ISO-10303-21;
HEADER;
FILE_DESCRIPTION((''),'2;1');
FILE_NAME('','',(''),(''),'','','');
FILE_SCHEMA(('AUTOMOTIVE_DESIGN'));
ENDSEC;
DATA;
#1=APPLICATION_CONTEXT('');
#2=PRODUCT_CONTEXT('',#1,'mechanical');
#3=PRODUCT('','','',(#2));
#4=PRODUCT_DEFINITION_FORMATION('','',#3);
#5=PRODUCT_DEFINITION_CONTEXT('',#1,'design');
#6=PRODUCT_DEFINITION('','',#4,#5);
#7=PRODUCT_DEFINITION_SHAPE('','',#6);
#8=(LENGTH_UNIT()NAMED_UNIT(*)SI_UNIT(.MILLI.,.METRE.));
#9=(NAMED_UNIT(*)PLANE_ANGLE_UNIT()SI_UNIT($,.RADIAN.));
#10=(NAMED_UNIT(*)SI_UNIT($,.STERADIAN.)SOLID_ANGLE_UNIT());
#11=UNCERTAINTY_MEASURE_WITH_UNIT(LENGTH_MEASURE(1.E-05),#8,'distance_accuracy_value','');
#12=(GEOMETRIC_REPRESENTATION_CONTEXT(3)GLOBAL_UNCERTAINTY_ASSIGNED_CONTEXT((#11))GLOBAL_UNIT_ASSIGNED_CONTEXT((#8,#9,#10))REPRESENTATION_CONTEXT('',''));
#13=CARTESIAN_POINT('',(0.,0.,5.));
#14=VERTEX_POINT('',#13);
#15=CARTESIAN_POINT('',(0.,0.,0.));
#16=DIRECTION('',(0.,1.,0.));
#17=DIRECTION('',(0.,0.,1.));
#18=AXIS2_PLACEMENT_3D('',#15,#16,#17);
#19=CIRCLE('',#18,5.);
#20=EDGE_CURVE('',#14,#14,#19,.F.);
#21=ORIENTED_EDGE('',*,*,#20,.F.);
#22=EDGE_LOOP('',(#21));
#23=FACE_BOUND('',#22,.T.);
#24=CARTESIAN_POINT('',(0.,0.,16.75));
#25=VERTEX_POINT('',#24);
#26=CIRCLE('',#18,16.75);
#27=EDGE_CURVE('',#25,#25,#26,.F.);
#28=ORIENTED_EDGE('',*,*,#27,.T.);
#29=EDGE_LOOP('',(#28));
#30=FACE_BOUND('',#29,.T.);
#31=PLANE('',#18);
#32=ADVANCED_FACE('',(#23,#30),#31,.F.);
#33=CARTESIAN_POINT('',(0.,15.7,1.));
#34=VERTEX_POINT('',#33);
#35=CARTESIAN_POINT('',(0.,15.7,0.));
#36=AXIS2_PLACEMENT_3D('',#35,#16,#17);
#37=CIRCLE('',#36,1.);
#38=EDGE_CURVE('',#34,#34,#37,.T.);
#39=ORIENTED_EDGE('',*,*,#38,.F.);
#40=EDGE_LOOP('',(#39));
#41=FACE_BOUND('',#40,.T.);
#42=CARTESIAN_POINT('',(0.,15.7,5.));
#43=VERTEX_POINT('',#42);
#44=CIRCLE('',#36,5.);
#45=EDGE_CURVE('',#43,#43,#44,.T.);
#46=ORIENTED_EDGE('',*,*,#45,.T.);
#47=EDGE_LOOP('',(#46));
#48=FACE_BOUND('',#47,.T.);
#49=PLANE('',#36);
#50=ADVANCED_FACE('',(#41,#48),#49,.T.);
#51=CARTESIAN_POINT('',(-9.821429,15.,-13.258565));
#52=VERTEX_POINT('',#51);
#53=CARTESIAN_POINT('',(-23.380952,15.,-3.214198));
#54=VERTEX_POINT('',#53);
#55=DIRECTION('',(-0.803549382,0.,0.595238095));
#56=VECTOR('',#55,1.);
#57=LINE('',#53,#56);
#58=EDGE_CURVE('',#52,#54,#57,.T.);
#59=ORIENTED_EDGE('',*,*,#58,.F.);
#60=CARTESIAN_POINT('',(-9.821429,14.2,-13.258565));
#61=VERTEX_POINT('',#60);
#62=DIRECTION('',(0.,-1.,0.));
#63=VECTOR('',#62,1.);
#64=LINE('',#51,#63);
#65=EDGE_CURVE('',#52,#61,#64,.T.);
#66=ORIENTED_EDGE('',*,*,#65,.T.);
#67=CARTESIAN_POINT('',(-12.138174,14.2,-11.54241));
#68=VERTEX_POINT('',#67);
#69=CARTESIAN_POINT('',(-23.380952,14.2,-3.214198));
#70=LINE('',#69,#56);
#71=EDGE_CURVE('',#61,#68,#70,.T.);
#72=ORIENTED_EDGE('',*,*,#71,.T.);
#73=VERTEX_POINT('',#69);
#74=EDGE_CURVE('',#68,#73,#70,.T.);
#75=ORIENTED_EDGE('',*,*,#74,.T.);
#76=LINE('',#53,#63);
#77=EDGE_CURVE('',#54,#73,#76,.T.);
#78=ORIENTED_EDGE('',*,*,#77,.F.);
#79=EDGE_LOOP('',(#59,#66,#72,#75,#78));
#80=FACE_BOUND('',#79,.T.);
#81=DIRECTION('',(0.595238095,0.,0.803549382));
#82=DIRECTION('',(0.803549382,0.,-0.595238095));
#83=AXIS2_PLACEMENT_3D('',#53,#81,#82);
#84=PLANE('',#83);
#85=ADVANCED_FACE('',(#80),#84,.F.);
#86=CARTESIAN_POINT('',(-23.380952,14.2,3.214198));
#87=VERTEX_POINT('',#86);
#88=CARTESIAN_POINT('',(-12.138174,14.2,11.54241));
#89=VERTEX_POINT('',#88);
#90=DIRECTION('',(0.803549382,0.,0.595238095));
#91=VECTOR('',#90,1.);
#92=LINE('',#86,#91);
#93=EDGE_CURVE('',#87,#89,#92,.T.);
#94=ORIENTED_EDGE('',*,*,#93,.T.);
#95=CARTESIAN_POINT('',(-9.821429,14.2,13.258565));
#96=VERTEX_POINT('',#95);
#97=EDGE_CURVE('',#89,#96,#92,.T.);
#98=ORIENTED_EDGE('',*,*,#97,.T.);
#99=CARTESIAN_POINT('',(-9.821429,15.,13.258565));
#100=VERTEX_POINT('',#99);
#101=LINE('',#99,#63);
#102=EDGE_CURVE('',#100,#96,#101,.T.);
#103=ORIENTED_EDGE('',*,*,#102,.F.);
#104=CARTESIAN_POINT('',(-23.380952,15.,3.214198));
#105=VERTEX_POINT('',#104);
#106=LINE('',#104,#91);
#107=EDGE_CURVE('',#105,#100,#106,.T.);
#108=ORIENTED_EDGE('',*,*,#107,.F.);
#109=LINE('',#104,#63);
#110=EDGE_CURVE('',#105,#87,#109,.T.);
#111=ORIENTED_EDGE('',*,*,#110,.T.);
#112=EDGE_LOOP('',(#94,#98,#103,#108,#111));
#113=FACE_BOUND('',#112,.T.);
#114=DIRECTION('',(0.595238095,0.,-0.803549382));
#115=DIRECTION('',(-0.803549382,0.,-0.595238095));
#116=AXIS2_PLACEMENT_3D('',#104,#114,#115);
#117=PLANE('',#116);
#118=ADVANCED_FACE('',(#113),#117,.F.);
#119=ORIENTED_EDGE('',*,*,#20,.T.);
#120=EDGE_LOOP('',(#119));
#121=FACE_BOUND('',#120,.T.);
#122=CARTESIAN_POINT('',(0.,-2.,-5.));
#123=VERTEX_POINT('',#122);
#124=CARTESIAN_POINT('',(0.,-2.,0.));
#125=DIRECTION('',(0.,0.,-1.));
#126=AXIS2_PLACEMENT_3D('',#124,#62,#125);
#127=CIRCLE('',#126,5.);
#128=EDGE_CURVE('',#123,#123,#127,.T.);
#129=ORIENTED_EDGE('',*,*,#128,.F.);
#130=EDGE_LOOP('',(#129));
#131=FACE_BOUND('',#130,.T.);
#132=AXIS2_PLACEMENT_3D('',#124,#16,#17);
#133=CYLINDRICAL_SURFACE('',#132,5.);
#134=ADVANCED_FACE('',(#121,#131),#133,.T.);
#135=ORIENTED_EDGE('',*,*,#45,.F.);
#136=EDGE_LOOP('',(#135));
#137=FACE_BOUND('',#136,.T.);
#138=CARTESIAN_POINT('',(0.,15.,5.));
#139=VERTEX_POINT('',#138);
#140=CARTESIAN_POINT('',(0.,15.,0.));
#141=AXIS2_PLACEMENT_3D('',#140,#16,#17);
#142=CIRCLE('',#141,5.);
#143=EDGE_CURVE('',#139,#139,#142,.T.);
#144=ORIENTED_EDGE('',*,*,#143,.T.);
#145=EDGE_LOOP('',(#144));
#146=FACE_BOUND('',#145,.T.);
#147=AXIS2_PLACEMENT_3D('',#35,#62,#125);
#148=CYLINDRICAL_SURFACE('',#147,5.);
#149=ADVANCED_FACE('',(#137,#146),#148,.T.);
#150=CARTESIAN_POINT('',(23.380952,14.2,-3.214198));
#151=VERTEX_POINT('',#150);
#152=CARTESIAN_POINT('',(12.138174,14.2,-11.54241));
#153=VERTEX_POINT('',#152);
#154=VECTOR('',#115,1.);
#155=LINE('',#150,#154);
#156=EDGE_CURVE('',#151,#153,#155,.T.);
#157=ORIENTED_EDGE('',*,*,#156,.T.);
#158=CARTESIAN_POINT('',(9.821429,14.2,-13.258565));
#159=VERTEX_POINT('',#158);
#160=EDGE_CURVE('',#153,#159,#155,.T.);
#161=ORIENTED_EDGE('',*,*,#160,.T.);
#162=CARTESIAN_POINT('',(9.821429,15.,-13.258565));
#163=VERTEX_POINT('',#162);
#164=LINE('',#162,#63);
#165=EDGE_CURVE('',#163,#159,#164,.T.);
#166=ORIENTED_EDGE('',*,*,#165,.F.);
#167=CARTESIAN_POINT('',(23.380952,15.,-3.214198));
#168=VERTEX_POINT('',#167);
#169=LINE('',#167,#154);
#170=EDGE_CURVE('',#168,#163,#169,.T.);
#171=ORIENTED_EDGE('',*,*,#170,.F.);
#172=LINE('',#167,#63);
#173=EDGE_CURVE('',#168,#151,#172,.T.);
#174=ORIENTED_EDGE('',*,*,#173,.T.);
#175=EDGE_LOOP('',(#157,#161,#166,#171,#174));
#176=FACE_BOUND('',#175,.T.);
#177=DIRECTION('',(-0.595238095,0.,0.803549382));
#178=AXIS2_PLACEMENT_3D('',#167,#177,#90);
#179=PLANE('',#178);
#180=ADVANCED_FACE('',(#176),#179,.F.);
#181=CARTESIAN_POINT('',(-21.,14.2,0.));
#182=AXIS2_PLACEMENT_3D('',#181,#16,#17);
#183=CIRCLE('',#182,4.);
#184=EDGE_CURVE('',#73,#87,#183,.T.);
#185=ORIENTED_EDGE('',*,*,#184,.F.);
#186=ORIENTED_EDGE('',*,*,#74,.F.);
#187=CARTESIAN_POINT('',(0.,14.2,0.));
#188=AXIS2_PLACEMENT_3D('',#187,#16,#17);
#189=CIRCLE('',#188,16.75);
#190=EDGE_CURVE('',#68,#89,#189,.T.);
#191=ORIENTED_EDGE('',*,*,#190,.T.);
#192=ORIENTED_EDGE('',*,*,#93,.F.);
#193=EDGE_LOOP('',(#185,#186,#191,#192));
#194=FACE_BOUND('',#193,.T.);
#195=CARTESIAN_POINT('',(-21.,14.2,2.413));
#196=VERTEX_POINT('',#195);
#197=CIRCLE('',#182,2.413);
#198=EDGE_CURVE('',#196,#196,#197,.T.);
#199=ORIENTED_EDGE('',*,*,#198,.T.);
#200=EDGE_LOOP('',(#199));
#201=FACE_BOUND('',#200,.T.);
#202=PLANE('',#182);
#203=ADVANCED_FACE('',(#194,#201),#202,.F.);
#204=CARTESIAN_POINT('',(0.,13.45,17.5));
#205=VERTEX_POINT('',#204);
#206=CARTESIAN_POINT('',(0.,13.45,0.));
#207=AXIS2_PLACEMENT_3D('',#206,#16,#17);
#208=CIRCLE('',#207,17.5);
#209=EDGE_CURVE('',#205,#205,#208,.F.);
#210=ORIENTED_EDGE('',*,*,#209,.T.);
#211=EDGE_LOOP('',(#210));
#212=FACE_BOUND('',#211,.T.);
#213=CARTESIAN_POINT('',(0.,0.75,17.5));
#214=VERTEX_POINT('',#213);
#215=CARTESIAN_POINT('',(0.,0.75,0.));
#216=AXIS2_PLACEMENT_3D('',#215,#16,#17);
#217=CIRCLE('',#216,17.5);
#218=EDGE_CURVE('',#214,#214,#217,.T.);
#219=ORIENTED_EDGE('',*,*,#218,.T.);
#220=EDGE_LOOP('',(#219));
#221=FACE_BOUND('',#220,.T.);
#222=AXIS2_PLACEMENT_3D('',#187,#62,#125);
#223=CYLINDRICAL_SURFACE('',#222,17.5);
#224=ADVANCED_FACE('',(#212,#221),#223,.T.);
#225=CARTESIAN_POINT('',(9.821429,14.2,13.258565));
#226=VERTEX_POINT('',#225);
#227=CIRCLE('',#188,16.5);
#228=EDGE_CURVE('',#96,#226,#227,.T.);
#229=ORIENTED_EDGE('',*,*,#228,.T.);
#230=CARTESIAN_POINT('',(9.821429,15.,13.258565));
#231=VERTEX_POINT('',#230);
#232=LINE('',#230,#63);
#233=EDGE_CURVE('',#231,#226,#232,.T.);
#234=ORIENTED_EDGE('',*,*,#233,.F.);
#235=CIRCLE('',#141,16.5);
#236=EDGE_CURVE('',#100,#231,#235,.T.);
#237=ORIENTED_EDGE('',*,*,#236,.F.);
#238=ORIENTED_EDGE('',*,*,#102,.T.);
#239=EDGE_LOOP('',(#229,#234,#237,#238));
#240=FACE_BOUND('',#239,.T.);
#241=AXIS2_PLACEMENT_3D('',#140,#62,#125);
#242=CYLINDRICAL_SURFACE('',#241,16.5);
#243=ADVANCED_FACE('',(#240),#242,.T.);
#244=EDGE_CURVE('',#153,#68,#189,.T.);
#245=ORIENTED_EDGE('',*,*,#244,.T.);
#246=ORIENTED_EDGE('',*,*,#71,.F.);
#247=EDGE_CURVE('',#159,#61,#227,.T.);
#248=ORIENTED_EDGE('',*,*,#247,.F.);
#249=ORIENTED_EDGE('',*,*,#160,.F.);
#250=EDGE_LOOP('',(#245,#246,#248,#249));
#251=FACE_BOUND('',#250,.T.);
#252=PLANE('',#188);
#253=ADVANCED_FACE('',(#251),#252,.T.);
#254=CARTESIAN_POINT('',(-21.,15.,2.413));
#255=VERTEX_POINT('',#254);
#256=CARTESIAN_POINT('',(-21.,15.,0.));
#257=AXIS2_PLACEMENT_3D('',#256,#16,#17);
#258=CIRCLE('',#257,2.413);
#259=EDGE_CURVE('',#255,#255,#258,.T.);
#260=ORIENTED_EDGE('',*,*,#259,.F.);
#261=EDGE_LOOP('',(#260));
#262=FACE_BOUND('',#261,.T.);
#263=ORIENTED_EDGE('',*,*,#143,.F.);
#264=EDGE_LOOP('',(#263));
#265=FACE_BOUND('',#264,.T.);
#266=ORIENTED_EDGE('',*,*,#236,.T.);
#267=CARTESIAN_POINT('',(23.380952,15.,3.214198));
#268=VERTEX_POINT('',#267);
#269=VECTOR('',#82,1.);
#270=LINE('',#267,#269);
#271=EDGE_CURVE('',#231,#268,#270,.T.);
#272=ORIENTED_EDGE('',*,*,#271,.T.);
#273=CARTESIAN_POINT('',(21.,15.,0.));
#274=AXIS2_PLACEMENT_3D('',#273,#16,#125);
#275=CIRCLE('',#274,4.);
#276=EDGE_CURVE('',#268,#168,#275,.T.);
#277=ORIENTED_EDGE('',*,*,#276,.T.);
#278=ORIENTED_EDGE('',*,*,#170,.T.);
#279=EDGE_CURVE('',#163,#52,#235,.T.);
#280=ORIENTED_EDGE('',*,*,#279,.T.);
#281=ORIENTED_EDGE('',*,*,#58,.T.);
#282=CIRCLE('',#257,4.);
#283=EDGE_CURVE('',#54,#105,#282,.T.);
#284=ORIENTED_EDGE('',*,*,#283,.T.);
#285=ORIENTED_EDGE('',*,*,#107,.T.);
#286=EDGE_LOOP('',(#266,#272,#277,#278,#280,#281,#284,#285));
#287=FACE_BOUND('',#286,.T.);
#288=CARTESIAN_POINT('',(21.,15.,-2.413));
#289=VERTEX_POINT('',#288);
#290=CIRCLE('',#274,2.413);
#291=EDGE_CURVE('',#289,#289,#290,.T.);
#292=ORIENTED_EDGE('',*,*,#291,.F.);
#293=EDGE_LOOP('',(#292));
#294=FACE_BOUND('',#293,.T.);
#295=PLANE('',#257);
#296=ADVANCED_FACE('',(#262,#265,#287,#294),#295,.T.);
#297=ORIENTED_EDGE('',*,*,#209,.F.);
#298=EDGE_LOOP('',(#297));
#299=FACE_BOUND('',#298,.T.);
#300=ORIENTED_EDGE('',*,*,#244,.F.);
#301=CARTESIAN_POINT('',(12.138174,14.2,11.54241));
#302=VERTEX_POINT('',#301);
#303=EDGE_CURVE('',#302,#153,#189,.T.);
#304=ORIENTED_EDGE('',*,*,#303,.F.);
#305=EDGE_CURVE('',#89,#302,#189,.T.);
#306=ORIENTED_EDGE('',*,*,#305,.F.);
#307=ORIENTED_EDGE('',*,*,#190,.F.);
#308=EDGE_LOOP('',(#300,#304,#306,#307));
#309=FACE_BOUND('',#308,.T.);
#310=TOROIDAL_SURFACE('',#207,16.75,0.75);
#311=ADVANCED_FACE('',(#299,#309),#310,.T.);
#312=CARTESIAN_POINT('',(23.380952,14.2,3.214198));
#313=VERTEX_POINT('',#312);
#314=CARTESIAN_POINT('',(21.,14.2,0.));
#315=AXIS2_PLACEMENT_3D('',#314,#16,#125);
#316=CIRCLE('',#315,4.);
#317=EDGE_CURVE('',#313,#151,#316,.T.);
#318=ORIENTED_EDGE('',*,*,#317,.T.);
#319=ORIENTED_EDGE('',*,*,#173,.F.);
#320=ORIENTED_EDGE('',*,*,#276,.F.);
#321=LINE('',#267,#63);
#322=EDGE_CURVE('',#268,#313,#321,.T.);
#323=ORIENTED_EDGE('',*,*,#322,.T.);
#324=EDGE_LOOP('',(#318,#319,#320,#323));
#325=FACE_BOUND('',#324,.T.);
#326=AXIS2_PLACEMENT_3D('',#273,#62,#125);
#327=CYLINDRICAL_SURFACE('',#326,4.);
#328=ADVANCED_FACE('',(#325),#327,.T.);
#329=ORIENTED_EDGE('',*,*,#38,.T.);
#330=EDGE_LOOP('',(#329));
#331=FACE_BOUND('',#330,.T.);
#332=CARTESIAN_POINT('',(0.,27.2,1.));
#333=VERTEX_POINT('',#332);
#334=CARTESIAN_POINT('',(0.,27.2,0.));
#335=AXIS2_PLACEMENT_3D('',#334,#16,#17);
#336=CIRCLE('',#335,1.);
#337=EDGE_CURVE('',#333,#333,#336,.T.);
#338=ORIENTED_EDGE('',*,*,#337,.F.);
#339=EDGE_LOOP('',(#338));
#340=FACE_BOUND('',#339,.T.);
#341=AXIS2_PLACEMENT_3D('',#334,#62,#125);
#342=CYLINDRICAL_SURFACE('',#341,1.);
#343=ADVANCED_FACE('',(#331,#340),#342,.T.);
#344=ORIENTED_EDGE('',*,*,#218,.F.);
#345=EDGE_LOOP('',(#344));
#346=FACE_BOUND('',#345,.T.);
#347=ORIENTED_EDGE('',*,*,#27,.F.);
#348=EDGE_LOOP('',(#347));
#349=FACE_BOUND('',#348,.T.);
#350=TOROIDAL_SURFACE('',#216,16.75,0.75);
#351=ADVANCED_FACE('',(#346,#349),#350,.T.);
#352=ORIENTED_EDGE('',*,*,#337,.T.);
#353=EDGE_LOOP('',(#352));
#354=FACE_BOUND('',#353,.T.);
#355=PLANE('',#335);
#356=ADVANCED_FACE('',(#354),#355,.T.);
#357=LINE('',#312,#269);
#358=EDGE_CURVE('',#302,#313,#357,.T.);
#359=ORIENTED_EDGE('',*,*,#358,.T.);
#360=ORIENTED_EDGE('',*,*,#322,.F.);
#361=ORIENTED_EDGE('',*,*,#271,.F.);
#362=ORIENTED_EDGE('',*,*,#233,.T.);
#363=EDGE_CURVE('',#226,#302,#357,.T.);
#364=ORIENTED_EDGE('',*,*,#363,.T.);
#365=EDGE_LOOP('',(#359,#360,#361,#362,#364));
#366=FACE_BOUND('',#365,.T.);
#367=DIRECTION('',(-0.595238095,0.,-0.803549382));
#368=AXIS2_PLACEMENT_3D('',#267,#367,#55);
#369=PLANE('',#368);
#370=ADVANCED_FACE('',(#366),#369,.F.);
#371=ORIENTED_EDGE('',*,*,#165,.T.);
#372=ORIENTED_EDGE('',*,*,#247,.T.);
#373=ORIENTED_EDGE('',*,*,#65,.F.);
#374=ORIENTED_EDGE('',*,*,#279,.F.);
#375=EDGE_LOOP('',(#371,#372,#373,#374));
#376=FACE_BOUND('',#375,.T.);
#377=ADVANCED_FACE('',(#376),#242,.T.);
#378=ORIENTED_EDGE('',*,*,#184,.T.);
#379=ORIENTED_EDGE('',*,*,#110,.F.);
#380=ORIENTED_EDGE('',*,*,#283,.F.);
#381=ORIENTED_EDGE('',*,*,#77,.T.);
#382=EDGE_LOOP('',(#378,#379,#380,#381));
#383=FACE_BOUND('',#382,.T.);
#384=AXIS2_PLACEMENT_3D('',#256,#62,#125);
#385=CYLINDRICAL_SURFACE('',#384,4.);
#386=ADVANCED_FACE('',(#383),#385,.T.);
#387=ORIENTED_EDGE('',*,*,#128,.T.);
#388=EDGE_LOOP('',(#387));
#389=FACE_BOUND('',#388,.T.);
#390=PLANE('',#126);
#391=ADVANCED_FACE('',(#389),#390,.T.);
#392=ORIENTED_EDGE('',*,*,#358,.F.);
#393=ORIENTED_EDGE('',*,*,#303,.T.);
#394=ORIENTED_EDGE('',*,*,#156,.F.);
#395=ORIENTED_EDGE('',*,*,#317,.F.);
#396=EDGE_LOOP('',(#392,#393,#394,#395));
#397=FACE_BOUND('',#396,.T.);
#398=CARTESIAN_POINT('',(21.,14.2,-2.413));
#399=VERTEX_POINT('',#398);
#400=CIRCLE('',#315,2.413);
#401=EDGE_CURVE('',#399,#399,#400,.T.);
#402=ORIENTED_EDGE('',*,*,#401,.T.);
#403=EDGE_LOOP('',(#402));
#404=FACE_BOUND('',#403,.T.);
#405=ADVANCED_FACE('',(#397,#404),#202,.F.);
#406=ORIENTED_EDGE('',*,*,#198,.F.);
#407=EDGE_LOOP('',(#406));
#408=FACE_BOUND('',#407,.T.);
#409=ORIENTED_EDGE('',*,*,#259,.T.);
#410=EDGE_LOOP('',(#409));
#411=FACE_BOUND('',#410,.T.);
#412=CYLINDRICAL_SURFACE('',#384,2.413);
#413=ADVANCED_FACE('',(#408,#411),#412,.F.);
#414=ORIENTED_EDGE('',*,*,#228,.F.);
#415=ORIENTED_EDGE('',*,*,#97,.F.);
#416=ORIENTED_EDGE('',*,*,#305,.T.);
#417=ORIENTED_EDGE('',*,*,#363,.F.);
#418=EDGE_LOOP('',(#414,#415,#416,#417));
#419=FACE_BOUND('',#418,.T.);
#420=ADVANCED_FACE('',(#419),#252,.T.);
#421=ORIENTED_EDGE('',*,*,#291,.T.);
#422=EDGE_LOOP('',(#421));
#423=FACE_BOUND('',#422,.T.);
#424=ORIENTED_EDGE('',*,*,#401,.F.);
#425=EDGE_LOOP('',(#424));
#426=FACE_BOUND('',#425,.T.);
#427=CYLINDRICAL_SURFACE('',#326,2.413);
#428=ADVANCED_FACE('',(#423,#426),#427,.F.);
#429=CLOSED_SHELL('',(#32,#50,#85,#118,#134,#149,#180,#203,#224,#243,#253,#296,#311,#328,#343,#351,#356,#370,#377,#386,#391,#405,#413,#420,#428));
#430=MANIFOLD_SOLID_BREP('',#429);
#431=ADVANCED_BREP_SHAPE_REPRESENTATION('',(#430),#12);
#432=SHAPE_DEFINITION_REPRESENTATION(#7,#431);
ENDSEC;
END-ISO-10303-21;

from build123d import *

# Parameters (mm, degrees)
SKETCH1_R      = 17.5
EXTRUDE1_DEPTH = 14.2
FILLET1_R      = 0.75
SKETCH2_R      = 2.413
EXTRUDE2_DEPTH = 0.8
SKETCH3_R      = 5
EXTRUDE3_DEPTH = 2
SKETCH4_R      = 5
EXTRUDE4_DEPTH = 0.7
SKETCH5_R      = 1
EXTRUDE5_DEPTH = 11.5


with BuildPart() as part:
    # Sketch1 → Extrude1 (new body)
    with BuildSketch(Plane(origin=(0, 0, 0), x_dir=(1, 0, 0), z_dir=(0, 1, 0))):
        with Locations(Location((0, 0, 0), (0, 0, 270))):  # turned: the seam where the file's is
            Circle(SKETCH1_R)
    extrude(amount=EXTRUDE1_DEPTH)

    # Fillet1
    fillet1_edges = [part.edges().sort_by_distance(p)[0] for p in [
        (0, 0, -17.5),
        (0, 14.2, -17.5),
    ]]
    fillet(fillet1_edges, radius=FILLET1_R)

    # Sketch2 → Extrude2 (add)
    with BuildSketch(Plane(origin=(0, 14.2, 0), x_dir=(-1, 0, 0), z_dir=(0, 1, 0))):
        with BuildLine():
            Line((23.380952381, -3.21419753), (9.821428571, -13.25856481))
            ThreePointArc((9.821428571, -13.25856481), (0, -16.5), (-9.821428571, -13.25856481))
            Line((-9.821428571, -13.25856481), (-23.380952381, -3.21419753))
            ThreePointArc((-23.380952381, -3.21419753), (-25, 0), (-23.380952381, 3.21419753))
            Line((-23.380952381, 3.21419753), (-9.821428571, 13.25856481))
            ThreePointArc((-9.821428571, 13.25856481), (0, 16.5), (9.821428571, 13.25856481))
            Line((9.821428571, 13.25856481), (23.380952381, 3.21419753))
            ThreePointArc((23.380952381, 3.21419753), (25, 0), (23.380952381, -3.21419753))
        make_face()
        with Locations(Location((21, 0, 0), (0, 0, 90))):  # turned: the seam where the file's is
            Circle(SKETCH2_R, mode=Mode.SUBTRACT)
        with Locations(Location((-21, 0, 0), (0, 0, 270))):  # turned: the seam where the file's is
            Circle(SKETCH2_R, mode=Mode.SUBTRACT)
    extrude(amount=EXTRUDE2_DEPTH)

    # Sketch3 → Extrude3 (add)
    with BuildSketch(Plane.XZ):
        with Locations(Location((0, 0, 0), (0, 0, 90))):  # turned: the seam where the file's is
            Circle(SKETCH3_R)
    extrude(amount=EXTRUDE3_DEPTH)

    # Sketch4 → Extrude4 (add)
    with BuildSketch(Plane(origin=(0, 15, 0), x_dir=(-1, 0, 0), z_dir=(0, 1, 0))):
        with Locations(Location((0, 0, 0), (0, 0, 90))):  # turned: the seam where the file's is
            Circle(SKETCH4_R)
    extrude(amount=EXTRUDE4_DEPTH)

    # Sketch5 → Extrude5 (add)
    with BuildSketch(Plane(origin=(0, 15.7, 0), x_dir=(-1, 0, 0), z_dir=(0, 1, 0))):
        with Locations(Location((0, 0, 0), (0, 0, 90))):  # turned: the seam where the file's is
            Circle(SKETCH5_R)
    extrude(amount=EXTRUDE5_DEPTH)


solid = part.part
